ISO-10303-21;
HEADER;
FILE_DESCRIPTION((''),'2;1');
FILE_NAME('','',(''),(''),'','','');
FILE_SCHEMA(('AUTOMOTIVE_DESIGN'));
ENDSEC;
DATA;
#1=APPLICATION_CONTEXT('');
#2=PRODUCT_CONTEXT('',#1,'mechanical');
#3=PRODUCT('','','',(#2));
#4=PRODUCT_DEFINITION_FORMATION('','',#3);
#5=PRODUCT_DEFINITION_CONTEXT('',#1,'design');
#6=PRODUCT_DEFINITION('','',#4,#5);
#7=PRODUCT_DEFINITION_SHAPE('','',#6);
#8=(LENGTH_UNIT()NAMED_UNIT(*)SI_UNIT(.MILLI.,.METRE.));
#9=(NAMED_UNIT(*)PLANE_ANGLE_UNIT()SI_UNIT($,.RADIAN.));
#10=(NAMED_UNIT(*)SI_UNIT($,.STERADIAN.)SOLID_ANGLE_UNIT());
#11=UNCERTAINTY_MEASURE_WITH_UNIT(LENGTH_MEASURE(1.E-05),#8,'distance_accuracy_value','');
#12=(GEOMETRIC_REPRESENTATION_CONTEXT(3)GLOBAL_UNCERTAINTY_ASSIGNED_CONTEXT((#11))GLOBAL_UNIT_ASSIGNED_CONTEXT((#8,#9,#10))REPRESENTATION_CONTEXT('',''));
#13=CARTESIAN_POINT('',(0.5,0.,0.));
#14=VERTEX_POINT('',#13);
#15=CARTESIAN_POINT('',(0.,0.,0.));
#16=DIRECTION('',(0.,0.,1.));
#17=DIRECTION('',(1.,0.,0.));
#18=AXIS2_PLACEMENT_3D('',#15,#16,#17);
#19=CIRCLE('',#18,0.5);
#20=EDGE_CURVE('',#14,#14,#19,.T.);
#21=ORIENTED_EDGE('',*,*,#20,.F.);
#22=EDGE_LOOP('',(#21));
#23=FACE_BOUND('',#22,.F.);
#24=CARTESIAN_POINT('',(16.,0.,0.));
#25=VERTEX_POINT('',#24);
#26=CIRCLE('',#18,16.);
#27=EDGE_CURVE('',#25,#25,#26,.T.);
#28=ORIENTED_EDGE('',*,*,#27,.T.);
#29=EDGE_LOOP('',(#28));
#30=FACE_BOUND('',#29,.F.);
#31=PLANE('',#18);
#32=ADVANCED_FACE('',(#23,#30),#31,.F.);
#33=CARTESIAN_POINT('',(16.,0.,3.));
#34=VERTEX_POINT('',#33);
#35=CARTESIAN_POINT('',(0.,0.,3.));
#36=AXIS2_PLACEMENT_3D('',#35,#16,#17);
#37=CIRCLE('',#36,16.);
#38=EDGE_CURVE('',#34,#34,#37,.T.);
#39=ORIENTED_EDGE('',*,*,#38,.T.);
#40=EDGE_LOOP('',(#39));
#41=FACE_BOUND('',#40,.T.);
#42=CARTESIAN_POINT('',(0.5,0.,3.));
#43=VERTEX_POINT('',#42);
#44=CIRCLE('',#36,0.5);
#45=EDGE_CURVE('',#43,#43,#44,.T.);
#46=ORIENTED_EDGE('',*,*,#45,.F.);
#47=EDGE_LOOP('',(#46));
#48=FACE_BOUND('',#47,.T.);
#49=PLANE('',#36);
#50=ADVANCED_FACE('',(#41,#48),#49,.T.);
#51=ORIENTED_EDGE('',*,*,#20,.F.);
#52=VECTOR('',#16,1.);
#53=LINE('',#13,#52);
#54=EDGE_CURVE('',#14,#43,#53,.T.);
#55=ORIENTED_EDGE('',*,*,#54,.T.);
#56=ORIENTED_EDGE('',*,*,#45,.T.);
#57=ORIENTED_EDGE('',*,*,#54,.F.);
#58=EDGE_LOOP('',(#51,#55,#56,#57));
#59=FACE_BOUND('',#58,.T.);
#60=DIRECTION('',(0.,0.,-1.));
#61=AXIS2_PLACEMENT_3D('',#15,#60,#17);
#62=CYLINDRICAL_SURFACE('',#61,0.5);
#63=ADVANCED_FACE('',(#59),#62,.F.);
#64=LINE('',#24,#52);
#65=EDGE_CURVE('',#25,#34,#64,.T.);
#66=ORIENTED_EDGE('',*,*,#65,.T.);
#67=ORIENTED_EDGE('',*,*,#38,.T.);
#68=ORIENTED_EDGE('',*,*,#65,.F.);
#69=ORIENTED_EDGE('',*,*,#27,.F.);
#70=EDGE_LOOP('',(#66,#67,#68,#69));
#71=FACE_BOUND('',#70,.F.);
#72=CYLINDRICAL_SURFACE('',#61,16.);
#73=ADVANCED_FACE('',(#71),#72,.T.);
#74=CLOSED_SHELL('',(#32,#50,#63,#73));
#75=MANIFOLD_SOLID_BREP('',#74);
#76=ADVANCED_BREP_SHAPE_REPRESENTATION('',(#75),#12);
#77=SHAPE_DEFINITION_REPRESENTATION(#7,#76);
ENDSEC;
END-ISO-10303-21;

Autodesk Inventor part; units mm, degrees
ref_plane "YZ Plane" through (0, 0, 0) normal (1, 0, 0) x (0, 1, 0)
ref_plane "XZ Plane" through (0, 0, 0) normal (0, 1, 0) x (-1, 0, 0)
ref_plane "XY Plane" through (0, 0, 0) normal (0, 0, 1) x (1, 0, 0)
sketch "スケッチ1" plane through (0, 0, 0) normal (0, 0, 1) x (1, 0, 0)
  circle A0 centre (0, 0) radius 16
  circle A1 centre (0, 0) radius 0.5
  dimension "d0" = 32
  dimension "d3" = 1
extrude "押し出し1" add sketch "スケッチ1" along normal blind 3 contours A0 | A1
extrude "押し出し2" cut sketch "スケッチ1" along normal blind 3 contours A1
properties part number "fan"
